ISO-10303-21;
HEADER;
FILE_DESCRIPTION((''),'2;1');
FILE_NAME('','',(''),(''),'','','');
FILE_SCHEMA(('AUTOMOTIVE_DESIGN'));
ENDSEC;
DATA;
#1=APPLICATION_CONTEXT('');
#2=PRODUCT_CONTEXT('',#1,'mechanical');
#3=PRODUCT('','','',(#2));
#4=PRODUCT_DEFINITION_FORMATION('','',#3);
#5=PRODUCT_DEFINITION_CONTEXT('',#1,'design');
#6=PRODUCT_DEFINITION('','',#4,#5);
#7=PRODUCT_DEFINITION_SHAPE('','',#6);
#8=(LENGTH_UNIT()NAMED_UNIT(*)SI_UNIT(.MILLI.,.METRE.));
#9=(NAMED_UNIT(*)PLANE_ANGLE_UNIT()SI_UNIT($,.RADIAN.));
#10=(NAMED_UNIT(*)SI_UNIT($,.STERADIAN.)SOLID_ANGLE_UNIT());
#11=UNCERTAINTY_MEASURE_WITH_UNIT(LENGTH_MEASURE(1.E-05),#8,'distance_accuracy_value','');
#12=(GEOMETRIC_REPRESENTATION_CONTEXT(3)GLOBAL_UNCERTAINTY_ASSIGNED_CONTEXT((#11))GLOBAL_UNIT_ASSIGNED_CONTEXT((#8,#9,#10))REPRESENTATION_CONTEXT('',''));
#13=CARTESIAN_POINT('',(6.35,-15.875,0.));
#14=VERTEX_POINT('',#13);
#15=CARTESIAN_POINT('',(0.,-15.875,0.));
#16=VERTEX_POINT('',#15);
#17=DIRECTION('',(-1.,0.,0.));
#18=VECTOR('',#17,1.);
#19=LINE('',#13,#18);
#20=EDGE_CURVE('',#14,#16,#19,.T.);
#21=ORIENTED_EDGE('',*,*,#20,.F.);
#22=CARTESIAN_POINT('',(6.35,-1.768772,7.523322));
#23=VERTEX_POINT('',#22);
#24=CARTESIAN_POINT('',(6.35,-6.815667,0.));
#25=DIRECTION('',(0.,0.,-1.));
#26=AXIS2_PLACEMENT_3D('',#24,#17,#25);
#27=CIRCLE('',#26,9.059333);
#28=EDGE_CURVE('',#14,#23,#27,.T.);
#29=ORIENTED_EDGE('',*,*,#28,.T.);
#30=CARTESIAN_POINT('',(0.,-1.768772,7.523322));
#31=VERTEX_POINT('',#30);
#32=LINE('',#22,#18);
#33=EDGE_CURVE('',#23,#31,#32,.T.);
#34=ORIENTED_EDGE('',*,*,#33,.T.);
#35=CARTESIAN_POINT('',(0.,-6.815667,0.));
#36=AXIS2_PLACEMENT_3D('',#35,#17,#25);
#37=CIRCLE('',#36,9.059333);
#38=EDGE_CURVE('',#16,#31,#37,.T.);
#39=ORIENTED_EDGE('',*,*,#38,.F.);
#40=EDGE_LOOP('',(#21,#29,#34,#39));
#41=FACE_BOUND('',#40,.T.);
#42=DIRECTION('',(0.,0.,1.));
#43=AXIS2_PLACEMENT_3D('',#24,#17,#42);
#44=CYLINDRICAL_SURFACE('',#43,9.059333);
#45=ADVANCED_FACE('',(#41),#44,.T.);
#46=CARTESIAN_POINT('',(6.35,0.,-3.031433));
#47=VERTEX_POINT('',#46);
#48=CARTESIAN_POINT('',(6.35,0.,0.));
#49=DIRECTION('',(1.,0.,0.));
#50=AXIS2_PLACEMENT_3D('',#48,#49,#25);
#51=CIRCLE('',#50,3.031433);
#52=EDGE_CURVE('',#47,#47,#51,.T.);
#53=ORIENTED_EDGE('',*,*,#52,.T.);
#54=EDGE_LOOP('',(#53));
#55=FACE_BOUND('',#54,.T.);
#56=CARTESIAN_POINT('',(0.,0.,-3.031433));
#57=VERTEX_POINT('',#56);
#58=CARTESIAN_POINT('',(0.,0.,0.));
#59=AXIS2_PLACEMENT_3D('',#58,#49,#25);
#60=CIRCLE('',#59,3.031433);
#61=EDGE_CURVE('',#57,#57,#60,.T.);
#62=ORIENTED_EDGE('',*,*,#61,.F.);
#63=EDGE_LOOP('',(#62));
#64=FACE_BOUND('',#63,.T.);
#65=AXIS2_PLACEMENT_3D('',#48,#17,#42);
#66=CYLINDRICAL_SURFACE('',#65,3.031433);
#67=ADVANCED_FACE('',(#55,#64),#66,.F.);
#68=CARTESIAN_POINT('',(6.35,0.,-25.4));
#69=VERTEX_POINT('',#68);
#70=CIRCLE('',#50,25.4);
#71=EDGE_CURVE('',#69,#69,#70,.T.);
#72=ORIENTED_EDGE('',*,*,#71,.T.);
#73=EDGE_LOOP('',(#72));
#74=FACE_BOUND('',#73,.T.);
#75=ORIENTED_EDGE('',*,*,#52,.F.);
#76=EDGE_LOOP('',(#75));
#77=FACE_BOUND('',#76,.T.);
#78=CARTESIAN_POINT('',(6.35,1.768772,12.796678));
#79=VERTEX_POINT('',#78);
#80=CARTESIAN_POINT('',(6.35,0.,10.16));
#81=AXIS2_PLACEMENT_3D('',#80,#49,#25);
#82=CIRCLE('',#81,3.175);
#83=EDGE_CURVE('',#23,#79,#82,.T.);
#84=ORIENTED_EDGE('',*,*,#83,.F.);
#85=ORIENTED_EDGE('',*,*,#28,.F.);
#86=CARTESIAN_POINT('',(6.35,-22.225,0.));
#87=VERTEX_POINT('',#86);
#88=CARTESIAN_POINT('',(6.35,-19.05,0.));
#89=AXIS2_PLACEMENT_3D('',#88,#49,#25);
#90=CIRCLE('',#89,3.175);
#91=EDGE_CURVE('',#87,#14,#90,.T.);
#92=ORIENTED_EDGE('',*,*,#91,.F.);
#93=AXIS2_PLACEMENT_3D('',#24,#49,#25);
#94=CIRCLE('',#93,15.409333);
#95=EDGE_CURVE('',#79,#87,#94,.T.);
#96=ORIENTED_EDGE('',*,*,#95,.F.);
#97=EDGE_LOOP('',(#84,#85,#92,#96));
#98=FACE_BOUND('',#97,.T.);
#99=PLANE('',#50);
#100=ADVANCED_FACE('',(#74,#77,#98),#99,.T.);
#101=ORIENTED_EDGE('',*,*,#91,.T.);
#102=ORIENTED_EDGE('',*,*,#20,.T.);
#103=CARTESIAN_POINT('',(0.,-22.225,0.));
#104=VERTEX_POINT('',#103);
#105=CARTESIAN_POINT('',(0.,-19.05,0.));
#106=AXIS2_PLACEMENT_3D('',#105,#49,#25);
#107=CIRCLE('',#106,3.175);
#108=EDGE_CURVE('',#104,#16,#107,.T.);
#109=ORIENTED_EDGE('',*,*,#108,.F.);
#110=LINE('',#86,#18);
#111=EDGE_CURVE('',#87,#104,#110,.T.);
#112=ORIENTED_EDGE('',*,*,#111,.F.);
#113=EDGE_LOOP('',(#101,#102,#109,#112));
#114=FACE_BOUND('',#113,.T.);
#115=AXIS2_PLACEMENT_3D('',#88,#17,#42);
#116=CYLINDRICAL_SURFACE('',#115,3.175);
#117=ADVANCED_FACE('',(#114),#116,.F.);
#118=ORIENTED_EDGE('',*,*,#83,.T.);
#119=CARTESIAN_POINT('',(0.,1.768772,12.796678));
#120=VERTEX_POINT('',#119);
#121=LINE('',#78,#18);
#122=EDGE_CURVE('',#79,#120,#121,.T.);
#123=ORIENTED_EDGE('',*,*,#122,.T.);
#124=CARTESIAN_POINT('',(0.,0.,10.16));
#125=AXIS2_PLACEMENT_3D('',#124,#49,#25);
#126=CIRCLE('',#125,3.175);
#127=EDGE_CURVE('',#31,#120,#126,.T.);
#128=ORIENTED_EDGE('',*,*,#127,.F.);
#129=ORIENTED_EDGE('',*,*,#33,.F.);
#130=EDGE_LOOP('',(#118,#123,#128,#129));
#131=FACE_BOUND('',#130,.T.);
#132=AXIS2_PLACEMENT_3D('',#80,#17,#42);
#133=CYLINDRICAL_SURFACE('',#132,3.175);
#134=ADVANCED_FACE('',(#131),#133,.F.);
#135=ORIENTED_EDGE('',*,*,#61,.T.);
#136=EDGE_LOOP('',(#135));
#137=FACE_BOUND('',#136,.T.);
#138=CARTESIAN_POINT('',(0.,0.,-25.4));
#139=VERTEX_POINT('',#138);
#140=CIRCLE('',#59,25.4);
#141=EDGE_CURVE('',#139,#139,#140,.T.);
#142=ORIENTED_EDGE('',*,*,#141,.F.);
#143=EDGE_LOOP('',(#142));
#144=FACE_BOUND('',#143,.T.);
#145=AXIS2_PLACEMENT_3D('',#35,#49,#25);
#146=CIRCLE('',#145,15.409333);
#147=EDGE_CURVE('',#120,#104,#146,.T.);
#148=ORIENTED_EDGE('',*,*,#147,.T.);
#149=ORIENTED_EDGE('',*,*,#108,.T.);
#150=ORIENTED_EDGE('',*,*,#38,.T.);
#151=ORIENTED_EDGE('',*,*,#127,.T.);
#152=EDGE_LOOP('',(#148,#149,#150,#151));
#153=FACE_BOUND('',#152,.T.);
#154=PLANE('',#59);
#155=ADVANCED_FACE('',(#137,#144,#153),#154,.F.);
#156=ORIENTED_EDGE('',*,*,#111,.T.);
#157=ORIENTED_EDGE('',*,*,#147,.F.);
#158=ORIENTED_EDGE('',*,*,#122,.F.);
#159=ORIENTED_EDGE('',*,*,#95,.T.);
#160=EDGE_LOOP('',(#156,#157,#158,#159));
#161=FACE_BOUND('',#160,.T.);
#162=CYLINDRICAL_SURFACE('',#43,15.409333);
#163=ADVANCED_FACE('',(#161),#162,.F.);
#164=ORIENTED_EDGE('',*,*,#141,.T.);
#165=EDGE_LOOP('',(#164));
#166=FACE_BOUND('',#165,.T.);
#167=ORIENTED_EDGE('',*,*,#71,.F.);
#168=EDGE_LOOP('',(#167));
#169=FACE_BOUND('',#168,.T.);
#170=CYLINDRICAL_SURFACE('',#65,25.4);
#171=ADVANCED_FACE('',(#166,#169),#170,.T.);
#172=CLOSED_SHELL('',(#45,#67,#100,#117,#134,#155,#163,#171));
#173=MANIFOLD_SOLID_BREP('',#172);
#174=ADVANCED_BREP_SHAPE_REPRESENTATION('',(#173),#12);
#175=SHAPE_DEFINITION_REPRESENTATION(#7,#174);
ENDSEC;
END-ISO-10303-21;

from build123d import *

# Parameters (mm, degrees)
SKETCH1_R           = 25.4
SKETCH1_R_2         = 3.031432634
BOSS_EXTRUDE1_DEPTH = 6.35


with BuildPart() as part:
    # Sketch1 → Boss-Extrude1 (new body)
    with BuildSketch(Plane(origin=(0, 0, 0), x_dir=(0, 0, -1), z_dir=(1, 0, 0))):
        Circle(SKETCH1_R)
        Circle(SKETCH1_R_2, mode=Mode.SUBTRACT)
        with BuildLine():
            ThreePointArc((-12.796678201, 1.768771626), (-13.596470588, -14.067117647), (0, -22.225))
            ThreePointArc((0, -22.225), (3.175, -19.05), (0, -15.875))
            ThreePointArc((0, -15.875), (-7.993529412, -11.078882353), (-7.523321799, -1.768771626))
            ThreePointArc((-7.523321799, -1.768771626), (-8.391228374, 2.636678201), (-12.796678201, 1.768771626))
        make_face(mode=Mode.SUBTRACT)
    extrude(amount=BOSS_EXTRUDE1_DEPTH)


solid = part.part
